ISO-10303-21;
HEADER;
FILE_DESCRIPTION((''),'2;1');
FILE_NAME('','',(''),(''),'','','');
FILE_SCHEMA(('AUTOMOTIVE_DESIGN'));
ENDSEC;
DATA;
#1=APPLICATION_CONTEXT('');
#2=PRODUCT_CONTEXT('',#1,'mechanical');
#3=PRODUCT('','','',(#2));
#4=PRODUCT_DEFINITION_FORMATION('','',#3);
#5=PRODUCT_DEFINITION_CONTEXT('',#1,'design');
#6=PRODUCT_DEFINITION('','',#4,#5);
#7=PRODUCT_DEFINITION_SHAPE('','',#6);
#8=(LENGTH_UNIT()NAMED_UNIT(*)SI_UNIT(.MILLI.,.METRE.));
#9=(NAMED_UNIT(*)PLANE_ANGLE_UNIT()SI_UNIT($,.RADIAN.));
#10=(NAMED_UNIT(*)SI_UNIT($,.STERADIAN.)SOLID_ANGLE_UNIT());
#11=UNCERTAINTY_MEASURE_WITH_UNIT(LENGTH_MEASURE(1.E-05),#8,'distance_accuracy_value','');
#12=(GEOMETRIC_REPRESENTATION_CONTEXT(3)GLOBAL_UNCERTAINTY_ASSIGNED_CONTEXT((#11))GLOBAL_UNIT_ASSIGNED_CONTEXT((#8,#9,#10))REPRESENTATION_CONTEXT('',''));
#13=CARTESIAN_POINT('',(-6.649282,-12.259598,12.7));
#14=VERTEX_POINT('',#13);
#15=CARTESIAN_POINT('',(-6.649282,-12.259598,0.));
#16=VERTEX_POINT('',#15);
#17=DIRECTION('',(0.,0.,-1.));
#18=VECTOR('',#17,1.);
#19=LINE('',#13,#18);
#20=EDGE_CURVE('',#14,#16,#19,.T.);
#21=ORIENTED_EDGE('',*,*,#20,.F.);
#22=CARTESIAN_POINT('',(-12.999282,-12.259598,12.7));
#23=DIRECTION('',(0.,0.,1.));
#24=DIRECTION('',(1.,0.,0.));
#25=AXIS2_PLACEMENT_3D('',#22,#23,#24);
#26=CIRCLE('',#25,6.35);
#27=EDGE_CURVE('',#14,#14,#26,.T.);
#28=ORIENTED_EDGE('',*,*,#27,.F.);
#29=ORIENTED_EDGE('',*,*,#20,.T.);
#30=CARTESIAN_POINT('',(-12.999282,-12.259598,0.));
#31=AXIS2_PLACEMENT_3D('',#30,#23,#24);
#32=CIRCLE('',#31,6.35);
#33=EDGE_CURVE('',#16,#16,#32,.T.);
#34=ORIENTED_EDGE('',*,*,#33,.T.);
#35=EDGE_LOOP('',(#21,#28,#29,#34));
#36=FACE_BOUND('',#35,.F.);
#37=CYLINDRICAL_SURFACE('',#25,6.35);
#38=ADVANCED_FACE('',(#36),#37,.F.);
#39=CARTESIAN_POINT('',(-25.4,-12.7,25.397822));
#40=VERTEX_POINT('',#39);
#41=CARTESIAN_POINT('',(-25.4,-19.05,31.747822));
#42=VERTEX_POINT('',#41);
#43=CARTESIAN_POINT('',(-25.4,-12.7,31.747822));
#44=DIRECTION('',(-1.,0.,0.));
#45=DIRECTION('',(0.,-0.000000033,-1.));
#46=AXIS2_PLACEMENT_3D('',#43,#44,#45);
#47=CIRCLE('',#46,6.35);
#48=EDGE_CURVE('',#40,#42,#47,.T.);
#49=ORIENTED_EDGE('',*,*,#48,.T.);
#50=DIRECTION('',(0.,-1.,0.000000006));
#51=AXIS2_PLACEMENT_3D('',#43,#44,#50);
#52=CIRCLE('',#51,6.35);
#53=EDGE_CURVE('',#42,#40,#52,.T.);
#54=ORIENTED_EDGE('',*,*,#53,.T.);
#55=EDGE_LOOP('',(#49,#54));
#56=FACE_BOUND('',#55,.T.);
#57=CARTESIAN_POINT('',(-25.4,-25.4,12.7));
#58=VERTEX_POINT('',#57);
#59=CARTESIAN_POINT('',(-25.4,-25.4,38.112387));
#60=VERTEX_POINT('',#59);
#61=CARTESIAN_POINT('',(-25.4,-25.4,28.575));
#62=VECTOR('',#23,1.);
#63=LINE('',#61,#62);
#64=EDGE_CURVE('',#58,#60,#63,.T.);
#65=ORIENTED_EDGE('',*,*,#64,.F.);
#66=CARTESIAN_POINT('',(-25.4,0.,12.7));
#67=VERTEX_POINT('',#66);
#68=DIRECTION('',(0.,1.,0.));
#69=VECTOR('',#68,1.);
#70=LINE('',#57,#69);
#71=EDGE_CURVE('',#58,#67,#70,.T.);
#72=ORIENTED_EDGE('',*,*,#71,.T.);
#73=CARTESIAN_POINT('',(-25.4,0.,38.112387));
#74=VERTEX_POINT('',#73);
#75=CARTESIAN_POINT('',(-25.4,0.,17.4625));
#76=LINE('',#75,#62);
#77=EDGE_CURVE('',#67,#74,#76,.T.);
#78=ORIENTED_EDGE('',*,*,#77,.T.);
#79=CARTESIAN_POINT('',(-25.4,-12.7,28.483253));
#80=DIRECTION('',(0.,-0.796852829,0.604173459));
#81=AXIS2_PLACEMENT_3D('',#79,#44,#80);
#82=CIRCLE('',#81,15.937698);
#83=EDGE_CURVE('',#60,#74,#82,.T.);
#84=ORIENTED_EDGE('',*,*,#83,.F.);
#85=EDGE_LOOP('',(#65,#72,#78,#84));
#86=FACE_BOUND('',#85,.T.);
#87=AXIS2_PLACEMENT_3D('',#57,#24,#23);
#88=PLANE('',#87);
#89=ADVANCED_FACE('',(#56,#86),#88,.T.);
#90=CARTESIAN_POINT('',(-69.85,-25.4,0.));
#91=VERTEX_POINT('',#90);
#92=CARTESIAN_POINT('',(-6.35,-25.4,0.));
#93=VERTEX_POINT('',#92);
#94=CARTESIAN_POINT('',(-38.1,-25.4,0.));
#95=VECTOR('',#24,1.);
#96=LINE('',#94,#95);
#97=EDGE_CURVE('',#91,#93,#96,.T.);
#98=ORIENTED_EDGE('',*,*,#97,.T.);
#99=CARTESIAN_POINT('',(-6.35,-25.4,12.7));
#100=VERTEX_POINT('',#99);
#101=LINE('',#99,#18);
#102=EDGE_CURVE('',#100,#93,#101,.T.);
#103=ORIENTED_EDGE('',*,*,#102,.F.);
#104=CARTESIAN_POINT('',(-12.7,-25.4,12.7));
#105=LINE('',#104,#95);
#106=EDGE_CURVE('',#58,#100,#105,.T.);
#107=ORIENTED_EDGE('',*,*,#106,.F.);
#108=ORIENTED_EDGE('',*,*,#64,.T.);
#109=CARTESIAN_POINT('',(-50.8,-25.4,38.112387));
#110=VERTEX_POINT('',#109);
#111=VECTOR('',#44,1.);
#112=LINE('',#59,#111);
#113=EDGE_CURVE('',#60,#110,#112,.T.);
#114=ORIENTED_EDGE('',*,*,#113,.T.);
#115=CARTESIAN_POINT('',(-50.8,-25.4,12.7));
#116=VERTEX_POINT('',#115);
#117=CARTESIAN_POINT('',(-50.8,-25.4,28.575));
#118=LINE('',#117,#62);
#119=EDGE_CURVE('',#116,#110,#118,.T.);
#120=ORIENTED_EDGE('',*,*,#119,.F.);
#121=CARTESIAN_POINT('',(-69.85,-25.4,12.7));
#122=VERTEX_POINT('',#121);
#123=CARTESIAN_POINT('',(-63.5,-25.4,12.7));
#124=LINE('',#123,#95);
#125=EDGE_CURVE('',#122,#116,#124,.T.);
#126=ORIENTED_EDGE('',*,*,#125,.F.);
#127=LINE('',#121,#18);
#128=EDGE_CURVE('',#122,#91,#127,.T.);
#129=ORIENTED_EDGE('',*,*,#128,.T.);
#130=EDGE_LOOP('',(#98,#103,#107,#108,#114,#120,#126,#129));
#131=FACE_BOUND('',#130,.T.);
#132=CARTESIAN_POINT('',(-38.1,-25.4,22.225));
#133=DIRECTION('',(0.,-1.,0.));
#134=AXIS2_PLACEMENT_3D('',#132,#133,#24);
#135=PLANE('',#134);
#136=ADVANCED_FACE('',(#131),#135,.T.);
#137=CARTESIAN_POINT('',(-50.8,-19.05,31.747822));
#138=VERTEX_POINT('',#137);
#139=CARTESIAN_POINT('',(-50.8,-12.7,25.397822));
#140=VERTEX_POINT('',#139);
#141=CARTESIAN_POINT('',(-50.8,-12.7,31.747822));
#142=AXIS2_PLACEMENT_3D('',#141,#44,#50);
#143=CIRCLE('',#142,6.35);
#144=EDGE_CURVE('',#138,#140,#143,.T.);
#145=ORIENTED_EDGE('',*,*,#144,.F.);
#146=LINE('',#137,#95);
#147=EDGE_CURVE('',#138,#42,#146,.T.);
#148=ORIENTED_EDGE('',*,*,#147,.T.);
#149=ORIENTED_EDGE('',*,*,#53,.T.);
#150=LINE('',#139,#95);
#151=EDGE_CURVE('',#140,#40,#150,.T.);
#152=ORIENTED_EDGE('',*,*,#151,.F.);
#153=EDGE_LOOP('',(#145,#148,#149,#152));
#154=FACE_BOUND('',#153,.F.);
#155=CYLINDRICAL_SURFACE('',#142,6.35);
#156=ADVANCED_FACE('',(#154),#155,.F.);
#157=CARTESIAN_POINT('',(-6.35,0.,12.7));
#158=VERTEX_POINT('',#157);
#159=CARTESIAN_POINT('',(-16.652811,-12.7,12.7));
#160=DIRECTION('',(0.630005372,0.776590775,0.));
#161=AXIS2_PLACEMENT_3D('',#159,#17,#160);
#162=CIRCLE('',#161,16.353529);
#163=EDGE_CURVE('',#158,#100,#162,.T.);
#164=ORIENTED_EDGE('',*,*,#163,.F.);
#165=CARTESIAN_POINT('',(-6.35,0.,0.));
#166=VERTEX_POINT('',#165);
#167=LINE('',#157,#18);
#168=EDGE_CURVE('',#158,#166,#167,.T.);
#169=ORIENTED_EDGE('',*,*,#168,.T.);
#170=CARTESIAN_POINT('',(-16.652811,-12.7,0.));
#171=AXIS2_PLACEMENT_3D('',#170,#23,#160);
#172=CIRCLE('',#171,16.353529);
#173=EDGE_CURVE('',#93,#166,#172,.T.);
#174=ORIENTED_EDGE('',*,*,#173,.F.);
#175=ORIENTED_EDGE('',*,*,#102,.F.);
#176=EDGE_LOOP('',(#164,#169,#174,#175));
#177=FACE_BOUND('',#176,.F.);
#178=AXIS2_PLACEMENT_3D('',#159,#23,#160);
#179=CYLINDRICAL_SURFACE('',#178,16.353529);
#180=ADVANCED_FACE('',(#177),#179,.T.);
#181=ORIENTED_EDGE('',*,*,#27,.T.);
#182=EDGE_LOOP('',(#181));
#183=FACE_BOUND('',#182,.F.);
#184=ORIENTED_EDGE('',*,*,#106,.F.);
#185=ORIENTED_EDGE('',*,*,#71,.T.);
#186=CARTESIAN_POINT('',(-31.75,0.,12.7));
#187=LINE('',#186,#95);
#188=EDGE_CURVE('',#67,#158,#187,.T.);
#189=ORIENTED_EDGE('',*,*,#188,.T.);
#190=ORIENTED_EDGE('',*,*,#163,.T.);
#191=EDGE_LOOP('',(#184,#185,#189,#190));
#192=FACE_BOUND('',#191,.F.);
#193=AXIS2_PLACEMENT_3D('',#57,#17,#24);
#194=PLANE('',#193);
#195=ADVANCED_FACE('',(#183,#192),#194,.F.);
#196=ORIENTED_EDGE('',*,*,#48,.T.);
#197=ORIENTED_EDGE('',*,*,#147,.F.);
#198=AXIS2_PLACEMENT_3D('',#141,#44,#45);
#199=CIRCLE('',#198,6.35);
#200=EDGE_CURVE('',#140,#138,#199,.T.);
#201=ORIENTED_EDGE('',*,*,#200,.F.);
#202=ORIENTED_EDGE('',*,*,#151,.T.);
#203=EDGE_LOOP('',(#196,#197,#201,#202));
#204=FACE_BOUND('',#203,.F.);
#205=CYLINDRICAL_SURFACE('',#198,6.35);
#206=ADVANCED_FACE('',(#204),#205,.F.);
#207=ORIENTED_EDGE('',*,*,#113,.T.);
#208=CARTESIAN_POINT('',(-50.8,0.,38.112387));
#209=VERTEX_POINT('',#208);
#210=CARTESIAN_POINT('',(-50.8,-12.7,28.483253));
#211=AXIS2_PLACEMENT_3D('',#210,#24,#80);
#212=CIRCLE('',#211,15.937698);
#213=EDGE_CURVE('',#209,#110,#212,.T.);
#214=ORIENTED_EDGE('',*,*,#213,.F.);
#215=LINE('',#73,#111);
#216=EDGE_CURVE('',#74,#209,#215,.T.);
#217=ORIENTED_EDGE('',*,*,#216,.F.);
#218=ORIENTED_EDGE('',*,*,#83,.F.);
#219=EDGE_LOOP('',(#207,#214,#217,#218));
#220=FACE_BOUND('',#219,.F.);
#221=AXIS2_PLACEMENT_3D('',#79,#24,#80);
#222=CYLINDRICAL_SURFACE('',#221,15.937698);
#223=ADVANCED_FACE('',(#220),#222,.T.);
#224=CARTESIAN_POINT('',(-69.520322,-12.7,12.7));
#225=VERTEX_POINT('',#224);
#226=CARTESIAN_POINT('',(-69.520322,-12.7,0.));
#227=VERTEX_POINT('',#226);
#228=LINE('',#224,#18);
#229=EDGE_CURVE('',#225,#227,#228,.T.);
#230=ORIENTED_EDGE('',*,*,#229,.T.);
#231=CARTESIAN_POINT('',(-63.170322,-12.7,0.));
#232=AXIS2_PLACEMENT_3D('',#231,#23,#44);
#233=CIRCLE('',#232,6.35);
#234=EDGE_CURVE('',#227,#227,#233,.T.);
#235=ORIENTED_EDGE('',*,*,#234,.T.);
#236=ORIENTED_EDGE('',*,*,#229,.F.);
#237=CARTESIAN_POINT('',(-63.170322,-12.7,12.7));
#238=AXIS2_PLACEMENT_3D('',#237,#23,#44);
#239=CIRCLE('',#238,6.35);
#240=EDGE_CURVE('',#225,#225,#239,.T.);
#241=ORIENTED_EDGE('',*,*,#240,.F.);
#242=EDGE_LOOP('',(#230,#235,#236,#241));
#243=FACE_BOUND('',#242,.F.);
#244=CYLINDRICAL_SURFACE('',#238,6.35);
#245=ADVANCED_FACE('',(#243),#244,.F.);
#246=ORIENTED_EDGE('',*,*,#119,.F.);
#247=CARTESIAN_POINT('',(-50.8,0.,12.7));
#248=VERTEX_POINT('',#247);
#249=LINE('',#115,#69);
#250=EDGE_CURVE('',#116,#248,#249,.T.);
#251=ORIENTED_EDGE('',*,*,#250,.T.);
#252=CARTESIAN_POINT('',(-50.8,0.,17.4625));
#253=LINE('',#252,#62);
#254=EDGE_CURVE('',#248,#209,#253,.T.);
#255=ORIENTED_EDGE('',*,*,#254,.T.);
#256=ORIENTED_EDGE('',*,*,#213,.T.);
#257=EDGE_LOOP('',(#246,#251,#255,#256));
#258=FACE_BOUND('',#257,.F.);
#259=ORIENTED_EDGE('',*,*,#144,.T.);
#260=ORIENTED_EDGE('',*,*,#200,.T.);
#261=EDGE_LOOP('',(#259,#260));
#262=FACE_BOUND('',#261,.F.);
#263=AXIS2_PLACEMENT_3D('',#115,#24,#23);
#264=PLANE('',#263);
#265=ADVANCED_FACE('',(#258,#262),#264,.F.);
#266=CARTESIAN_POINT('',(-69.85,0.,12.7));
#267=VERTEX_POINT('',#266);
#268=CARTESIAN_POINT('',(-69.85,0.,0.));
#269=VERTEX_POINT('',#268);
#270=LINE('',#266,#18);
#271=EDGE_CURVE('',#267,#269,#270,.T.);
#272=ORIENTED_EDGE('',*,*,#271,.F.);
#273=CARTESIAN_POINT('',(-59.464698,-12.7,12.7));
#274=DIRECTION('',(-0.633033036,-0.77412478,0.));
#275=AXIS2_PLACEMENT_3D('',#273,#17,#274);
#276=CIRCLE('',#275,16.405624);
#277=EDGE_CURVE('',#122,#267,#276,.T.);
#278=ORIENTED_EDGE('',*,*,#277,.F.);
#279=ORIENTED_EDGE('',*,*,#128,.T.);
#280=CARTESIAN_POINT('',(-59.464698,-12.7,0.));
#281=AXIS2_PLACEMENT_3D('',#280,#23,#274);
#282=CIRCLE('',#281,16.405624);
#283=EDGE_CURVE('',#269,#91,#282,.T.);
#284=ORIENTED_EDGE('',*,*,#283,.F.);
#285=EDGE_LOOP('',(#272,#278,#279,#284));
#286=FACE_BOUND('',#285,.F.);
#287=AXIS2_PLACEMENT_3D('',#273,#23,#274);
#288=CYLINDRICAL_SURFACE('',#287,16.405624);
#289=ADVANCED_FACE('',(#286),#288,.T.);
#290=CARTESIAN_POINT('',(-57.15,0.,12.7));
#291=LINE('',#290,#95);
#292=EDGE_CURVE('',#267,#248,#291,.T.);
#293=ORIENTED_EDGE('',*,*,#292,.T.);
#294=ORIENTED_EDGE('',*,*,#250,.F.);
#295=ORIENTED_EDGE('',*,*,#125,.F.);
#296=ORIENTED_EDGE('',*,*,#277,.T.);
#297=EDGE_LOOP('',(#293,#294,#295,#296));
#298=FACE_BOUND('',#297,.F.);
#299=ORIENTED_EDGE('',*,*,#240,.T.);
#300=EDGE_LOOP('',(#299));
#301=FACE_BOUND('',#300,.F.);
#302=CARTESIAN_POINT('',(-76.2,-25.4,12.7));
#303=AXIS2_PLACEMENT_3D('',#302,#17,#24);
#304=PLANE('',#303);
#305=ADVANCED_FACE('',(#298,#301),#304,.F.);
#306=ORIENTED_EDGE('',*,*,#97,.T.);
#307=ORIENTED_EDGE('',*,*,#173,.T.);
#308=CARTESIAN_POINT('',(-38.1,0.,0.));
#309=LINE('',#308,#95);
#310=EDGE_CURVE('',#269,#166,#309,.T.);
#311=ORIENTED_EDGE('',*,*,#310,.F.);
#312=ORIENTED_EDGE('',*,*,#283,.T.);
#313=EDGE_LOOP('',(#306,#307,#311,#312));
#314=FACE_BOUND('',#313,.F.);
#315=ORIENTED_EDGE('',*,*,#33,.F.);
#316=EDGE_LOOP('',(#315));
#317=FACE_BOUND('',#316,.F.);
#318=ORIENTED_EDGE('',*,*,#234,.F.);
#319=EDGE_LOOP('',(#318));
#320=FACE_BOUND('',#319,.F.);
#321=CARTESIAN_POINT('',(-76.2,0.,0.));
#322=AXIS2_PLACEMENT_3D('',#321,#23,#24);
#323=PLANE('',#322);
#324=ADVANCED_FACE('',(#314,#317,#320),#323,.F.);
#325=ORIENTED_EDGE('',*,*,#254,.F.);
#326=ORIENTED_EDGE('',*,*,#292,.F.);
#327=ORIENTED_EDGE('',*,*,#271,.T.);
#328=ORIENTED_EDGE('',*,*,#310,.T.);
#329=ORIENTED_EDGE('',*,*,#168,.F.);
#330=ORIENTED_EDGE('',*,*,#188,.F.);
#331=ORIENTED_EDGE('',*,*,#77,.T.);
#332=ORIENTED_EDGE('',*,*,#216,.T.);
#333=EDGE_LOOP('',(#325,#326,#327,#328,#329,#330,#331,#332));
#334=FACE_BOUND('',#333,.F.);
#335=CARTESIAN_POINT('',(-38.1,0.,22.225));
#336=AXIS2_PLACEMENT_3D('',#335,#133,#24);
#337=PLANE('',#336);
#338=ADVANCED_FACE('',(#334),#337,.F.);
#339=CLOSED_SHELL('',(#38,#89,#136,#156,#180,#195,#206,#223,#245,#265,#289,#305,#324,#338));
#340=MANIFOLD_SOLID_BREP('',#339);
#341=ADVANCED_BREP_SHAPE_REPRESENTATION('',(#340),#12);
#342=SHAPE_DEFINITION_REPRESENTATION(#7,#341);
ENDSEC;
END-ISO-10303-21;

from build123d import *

# Parameters (mm, degrees)
F0_W      = 76.2
F0_H      = 44.45
F1_DEPTH  = 25.4
F2_W      = 25.4
F2_H      = 31.75
F3_DEPTH  = 25.401
F5_DEPTH  = 50.801
F7_DEPTH  = 12.701
F9_DEPTH  = 12.701
F11_DEPTH = 50.501718
F13_DEPTH = 12.701
F14_R     = 6.35
F15_DEPTH = 12.701


with BuildPart() as f1:
    # F0 (on Front) → F1 (new body)
    with BuildSketch(Plane.XZ):
        with Locations((-38.1, 22.225)):
            Rectangle(F0_W, F0_H)
    extrude(amount=F1_DEPTH)

    # F2 (on face) → F3 (cut, through all)
    with BuildSketch(Plane.XZ.offset(25.4)):
        with Locations((-63.5, 28.575)):
            Rectangle(F2_W, F2_H)
        with Locations((-12.7, 28.575)):
            Rectangle(F2_W, F2_H)
    extrude(amount=-F3_DEPTH, mode=Mode.SUBTRACT)

    # F4 (on face) → F5 (cut, through all)
    with BuildSketch(Plane.YZ.offset(-25.4)):
        with BuildLine():
            Line((-25.4, 44.45), (-25.4, 38.112387))
            ThreePointArc((-25.4, 38.112387), (-12.7, 44.420951), (0, 38.112387))
            Line((0, 38.112387), (0, 44.45))
            Line((0, 44.45), (-25.4, 44.45))
        make_face()
    extrude(amount=-F5_DEPTH, mode=Mode.SUBTRACT)

    # F6 (on face) → F7 (cut, through all)
    with BuildSketch(Plane.XY.offset(12.7)):
        with BuildLine():
            Line((0, 0), (-6.35, 0))
            ThreePointArc((-6.35, 0), (-0.299282, -12.7), (-6.35, -25.4))
            Line((-6.35, -25.4), (0, -25.4))
            Line((0, -25.4), (0, 0))
        make_face()
    extrude(amount=-F7_DEPTH, mode=Mode.SUBTRACT)

    # F8 (on face) → F9 (cut, through all)
    with BuildSketch(Plane.XY.offset(12.7)):
        with BuildLine():
            Line((-76.2, -25.4), (-69.85, -25.4))
            ThreePointArc((-69.85, -25.4), (-75.870322, -12.7), (-69.85, 0))
            Line((-69.85, 0), (-76.2, 0))
            Line((-76.2, 0), (-76.2, -25.4))
        make_face()
    extrude(amount=-F9_DEPTH, mode=Mode.SUBTRACT)

    # F10 (on face) → F11 (cut, through all)
    with BuildSketch(Plane(origin=(-50.8, 0, 0), x_dir=(0, -1, 0), z_dir=(-1, 0, 0))):
        with BuildLine():
            ThreePointArc((19.05, 31.747822), (8.209872, 36.23795), (12.7, 25.397822))
            ThreePointArc((12.7, 25.397822), (17.190128, 27.257694), (19.05, 31.747822))
        make_face()
    extrude(amount=-F11_DEPTH, mode=Mode.SUBTRACT)

    # F12 (on face) → F13 (cut, through all)
    with BuildSketch(Plane.XY.offset(12.7)):
        with BuildLine():
            ThreePointArc((-56.820322, -12.7), (-63.170322, -6.35), (-69.520322, -12.7))
            ThreePointArc((-69.520322, -12.7), (-63.170322, -19.05), (-56.820322, -12.7))
        make_face()
    extrude(amount=-F13_DEPTH, mode=Mode.SUBTRACT)

    # F14 (on face) → F15 (cut, through all)
    with BuildSketch(Plane.XY.offset(12.7)):
        with Locations((-12.999282, -12.259598)):
            Circle(F14_R)
    extrude(amount=-F15_DEPTH, mode=Mode.SUBTRACT)


solid = f1.part
